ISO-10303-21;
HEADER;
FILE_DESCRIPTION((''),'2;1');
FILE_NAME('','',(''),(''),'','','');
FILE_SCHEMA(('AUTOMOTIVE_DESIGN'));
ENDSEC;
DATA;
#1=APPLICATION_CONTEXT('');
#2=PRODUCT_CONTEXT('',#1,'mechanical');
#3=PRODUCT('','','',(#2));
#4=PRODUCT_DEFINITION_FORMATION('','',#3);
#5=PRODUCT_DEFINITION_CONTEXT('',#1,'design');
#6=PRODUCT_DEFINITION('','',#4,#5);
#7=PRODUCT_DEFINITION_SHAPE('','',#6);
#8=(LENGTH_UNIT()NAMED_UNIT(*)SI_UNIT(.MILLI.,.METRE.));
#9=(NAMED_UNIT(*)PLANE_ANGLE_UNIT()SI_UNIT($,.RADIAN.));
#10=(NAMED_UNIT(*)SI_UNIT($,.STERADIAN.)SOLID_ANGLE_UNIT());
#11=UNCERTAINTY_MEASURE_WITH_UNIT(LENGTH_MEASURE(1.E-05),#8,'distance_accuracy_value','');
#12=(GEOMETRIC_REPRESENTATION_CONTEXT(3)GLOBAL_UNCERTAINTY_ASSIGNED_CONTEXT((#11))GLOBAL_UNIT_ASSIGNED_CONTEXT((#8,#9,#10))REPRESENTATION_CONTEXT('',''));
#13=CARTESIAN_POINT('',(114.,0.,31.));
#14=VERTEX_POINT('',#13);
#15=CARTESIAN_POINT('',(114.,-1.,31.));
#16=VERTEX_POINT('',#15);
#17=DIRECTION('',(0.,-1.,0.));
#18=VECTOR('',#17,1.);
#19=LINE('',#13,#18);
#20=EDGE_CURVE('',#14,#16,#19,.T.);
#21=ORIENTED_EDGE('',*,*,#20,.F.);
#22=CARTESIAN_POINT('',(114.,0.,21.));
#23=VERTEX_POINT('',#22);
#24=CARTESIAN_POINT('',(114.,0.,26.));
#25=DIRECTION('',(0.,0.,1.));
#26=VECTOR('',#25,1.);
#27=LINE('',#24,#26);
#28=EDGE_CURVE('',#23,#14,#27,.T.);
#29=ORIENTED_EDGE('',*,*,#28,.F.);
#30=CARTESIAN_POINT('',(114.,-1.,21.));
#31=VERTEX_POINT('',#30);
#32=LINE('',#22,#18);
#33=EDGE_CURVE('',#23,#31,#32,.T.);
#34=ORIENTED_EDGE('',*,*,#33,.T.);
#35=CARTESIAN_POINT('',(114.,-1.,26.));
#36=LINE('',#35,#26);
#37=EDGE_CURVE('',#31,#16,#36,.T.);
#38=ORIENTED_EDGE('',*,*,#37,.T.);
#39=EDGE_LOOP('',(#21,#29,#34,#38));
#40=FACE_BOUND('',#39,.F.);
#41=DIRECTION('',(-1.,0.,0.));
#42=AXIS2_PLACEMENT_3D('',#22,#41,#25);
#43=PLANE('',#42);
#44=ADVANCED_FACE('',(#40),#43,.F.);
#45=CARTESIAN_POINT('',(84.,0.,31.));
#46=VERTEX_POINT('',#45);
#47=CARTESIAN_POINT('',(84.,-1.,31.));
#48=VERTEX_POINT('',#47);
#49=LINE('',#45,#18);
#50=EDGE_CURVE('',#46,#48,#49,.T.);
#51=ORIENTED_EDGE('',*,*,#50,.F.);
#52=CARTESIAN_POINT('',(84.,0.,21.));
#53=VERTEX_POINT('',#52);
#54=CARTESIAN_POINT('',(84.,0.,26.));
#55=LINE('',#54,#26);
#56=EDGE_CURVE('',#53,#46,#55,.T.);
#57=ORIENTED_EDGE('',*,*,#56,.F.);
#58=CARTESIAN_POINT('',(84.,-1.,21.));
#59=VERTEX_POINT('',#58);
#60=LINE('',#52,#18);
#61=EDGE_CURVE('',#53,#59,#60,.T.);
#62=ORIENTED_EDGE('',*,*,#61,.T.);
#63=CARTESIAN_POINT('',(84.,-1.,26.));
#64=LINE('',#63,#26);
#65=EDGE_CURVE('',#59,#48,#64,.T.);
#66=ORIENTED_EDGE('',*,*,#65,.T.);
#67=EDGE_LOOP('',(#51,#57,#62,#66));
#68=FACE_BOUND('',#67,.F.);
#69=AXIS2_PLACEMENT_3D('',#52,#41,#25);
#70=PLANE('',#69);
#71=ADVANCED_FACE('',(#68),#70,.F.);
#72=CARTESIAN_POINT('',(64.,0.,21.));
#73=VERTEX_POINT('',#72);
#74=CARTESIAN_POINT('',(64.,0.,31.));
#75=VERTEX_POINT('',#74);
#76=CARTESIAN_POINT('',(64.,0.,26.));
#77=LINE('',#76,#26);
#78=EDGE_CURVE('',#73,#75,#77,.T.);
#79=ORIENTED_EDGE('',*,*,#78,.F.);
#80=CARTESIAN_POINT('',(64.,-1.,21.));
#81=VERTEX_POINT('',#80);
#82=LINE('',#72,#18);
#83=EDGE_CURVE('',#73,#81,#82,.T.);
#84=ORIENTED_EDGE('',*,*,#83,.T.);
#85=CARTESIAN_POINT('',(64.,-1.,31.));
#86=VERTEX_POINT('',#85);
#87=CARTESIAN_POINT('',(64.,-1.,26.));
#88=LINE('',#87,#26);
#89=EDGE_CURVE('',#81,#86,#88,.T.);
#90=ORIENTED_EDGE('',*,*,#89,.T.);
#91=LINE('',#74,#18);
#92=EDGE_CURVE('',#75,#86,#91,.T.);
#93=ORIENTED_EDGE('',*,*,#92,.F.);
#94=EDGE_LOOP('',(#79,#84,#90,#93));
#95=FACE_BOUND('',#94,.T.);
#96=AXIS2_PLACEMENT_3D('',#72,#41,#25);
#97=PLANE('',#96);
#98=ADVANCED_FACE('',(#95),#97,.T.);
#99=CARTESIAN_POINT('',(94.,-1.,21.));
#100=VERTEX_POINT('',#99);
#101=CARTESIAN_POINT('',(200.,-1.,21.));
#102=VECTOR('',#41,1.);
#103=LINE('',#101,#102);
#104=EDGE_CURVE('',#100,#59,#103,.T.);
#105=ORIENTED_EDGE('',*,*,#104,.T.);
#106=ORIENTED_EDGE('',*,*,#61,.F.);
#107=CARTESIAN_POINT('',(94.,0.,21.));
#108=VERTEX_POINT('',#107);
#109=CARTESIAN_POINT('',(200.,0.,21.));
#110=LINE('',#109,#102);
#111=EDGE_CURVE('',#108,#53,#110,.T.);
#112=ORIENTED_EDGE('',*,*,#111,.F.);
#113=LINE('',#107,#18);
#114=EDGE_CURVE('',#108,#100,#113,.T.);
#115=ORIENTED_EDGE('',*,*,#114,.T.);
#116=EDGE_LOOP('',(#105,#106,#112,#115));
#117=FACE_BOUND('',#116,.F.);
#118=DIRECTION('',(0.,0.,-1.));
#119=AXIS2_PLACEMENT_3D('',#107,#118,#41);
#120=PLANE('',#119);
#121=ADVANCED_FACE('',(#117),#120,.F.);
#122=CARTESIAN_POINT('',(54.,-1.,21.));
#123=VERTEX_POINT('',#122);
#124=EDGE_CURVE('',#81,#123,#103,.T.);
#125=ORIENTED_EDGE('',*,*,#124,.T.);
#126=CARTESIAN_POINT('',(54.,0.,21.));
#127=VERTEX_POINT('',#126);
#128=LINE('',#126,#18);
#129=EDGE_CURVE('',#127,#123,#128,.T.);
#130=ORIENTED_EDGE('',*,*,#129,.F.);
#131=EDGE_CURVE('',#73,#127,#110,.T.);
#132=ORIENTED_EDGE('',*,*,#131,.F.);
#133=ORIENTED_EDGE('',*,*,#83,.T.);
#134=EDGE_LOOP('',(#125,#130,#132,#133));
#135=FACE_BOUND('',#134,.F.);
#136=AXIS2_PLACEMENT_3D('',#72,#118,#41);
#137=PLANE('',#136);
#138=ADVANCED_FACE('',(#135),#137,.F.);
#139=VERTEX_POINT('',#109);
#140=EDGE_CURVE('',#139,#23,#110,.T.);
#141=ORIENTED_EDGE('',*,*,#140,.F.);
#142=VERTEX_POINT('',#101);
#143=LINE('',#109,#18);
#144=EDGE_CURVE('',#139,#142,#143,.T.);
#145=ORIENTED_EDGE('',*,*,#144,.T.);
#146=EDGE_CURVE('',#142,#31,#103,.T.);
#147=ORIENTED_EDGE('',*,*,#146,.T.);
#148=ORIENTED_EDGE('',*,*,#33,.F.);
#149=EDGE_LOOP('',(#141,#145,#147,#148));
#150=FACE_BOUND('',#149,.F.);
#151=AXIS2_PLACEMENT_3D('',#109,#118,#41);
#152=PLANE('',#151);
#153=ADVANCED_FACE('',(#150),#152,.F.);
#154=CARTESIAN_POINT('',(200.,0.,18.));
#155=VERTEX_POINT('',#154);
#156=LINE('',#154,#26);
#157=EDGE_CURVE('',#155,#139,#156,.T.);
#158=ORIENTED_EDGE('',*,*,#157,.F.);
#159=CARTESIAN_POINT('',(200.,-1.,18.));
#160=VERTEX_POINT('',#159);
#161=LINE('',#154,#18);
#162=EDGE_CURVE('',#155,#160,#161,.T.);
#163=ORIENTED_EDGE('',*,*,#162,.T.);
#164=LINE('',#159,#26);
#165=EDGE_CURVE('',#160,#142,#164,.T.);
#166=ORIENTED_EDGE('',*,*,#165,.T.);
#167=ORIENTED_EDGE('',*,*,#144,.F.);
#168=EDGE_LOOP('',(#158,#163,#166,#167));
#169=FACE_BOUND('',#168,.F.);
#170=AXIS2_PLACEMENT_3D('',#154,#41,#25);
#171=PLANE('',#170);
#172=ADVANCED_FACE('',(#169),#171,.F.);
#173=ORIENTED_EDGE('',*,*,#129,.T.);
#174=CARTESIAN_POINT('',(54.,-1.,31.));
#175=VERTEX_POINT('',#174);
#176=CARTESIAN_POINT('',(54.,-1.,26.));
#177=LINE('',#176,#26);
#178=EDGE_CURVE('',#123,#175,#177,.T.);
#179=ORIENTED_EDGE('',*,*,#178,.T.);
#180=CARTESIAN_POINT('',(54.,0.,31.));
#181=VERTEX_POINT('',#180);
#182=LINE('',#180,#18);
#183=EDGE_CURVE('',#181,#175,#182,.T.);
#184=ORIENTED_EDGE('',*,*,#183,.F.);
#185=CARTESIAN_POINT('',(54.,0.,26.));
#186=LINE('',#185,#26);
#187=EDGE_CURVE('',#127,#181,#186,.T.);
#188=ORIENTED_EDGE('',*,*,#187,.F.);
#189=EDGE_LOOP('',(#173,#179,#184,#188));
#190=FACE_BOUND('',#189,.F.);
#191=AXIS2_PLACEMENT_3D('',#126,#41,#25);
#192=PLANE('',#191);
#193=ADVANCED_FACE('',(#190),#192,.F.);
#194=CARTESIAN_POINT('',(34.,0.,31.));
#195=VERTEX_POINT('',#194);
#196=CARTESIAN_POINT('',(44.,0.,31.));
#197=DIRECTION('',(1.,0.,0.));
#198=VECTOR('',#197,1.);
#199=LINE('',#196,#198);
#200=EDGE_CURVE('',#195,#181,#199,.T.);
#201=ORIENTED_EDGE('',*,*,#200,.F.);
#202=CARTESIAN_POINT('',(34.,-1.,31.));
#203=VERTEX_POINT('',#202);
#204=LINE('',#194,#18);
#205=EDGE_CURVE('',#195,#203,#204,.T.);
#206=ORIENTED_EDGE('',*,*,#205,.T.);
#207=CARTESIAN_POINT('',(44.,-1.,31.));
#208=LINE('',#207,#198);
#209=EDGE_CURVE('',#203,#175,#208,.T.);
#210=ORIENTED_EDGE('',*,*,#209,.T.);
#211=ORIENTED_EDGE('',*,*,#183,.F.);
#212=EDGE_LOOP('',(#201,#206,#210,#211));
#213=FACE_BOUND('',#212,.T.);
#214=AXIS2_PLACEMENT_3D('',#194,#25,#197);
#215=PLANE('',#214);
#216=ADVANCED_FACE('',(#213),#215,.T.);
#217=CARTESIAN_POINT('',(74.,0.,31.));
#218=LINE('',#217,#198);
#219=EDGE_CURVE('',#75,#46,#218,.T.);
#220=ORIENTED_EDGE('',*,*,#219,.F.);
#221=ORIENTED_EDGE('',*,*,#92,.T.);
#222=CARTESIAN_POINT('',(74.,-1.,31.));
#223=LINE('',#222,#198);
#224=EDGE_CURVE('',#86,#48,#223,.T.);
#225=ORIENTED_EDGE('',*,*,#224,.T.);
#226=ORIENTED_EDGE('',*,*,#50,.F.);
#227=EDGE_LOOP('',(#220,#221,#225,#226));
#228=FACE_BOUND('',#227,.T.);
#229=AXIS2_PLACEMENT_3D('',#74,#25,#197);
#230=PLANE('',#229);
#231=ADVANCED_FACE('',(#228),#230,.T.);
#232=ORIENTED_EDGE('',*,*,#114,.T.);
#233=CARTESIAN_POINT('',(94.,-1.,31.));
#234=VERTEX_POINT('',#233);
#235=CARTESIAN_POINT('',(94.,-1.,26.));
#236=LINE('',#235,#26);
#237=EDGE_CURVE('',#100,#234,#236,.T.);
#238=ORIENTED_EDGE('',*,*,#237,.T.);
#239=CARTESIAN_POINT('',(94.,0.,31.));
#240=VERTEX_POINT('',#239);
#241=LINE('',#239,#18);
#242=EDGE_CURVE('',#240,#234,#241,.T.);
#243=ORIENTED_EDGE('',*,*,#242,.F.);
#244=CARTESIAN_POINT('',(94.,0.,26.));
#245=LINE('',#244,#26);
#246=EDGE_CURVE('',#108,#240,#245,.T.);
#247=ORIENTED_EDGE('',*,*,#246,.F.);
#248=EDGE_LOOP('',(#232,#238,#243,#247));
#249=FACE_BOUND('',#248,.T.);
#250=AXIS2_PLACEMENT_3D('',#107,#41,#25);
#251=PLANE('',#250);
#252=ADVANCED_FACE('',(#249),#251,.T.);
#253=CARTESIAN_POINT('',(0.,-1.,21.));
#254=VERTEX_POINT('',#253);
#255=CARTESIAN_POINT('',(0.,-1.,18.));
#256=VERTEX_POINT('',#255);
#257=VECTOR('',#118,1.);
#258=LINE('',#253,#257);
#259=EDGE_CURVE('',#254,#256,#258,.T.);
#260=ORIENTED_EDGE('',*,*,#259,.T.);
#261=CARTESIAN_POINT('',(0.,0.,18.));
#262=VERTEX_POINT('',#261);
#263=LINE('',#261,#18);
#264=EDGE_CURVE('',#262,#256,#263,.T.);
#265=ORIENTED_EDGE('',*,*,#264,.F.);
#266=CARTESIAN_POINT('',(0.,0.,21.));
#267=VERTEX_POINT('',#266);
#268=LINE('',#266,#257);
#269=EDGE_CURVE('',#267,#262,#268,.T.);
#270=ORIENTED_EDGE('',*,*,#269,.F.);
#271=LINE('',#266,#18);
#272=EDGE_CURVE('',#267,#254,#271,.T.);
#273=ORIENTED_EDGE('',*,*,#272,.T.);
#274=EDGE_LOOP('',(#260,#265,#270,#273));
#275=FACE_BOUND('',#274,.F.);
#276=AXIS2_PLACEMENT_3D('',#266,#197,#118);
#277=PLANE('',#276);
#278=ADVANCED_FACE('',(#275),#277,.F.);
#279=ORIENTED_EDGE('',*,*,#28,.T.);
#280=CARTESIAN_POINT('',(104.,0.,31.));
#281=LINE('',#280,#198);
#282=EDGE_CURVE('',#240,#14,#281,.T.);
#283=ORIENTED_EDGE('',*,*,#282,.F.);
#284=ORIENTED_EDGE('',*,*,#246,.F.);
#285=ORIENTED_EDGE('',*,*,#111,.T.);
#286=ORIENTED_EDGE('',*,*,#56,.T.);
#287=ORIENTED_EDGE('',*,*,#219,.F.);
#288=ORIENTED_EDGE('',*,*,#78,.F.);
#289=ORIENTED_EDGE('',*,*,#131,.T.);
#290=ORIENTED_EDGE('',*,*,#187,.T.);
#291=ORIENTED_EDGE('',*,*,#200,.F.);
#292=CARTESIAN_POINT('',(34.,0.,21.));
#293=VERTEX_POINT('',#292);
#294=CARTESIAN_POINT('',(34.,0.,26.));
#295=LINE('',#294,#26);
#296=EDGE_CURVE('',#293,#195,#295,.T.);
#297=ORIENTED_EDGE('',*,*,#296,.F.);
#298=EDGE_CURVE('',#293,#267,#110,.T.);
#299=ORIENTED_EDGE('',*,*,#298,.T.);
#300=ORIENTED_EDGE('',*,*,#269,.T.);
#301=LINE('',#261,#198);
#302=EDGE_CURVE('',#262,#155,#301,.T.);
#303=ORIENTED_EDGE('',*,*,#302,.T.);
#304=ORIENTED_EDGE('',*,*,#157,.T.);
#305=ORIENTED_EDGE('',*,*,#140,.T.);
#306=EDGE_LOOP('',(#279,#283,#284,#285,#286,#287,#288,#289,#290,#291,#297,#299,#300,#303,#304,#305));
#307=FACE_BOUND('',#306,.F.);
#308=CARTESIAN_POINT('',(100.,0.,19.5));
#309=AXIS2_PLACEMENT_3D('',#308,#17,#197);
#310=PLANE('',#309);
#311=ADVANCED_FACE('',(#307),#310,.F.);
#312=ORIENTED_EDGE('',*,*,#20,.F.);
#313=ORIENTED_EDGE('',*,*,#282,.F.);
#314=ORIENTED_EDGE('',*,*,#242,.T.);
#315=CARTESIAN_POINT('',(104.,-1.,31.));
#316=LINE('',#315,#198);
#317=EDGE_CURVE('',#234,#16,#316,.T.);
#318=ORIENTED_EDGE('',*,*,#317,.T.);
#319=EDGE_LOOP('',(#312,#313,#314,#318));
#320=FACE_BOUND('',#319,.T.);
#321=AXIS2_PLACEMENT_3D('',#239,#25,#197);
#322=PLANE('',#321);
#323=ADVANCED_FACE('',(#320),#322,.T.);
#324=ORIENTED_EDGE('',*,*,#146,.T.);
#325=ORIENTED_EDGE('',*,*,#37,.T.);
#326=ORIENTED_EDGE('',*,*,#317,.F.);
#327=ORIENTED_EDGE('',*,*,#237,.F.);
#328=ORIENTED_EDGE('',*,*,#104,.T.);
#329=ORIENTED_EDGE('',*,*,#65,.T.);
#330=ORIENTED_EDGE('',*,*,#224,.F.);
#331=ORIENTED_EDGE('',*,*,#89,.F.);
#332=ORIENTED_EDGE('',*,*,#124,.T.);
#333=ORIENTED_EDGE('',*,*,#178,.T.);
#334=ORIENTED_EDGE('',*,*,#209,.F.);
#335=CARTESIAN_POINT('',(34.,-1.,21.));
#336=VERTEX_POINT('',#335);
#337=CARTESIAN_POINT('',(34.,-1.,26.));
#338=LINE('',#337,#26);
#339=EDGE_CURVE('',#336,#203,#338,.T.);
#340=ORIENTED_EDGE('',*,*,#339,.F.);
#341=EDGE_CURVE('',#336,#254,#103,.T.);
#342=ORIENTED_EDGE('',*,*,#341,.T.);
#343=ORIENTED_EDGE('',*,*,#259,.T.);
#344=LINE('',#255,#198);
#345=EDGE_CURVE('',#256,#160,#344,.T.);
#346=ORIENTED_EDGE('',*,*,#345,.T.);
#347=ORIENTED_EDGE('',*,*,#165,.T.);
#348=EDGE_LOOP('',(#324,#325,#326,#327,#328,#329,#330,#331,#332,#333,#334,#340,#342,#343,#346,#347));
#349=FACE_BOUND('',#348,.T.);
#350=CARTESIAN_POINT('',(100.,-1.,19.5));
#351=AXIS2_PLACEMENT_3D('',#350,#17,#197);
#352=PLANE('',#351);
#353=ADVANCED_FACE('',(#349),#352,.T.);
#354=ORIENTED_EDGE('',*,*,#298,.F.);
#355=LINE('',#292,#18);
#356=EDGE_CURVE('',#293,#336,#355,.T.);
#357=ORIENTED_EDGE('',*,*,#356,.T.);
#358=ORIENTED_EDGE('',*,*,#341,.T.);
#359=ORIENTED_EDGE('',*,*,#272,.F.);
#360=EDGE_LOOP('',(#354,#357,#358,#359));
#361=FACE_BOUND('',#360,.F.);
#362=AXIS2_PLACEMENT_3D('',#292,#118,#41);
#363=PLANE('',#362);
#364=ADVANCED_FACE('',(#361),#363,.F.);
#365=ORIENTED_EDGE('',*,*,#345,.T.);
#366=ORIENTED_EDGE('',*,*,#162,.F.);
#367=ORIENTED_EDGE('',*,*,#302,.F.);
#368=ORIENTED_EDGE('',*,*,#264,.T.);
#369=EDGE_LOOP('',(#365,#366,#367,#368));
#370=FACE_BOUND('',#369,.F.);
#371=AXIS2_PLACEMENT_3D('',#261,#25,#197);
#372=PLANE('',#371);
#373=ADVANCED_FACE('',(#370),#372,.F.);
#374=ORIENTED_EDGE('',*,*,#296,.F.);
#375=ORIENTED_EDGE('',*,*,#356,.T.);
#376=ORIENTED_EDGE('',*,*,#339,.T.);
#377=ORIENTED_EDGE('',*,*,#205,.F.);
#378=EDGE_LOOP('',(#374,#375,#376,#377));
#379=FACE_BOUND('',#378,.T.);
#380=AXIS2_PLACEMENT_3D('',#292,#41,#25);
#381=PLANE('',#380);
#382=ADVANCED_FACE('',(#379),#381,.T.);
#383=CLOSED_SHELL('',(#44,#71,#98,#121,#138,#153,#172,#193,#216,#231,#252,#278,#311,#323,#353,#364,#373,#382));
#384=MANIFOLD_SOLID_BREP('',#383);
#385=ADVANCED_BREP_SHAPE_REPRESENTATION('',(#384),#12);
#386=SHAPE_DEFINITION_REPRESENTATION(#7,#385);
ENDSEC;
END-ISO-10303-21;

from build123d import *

# Parameters (mm, degrees)
F0_W     = 20
F0_H     = 10
F1_DEPTH = 1


with BuildPart() as f1:
    # F0 (on Front) → F1 (new body)
    with BuildSketch(Plane.XZ):
        Polygon((0, 21), (0, 18), (200, 18), (200, 21), (114, 21), (94, 21), (84, 21), (64, 21), (54, 21), (34, 21), align=None)
        with Locations((44, 26)):
            Rectangle(F0_W, F0_H)
        with Locations((104, 26)):
            Rectangle(F0_W, F0_H)
        with Locations((74, 26)):
            Rectangle(F0_W, F0_H)
    extrude(amount=F1_DEPTH)


solid = f1.part
